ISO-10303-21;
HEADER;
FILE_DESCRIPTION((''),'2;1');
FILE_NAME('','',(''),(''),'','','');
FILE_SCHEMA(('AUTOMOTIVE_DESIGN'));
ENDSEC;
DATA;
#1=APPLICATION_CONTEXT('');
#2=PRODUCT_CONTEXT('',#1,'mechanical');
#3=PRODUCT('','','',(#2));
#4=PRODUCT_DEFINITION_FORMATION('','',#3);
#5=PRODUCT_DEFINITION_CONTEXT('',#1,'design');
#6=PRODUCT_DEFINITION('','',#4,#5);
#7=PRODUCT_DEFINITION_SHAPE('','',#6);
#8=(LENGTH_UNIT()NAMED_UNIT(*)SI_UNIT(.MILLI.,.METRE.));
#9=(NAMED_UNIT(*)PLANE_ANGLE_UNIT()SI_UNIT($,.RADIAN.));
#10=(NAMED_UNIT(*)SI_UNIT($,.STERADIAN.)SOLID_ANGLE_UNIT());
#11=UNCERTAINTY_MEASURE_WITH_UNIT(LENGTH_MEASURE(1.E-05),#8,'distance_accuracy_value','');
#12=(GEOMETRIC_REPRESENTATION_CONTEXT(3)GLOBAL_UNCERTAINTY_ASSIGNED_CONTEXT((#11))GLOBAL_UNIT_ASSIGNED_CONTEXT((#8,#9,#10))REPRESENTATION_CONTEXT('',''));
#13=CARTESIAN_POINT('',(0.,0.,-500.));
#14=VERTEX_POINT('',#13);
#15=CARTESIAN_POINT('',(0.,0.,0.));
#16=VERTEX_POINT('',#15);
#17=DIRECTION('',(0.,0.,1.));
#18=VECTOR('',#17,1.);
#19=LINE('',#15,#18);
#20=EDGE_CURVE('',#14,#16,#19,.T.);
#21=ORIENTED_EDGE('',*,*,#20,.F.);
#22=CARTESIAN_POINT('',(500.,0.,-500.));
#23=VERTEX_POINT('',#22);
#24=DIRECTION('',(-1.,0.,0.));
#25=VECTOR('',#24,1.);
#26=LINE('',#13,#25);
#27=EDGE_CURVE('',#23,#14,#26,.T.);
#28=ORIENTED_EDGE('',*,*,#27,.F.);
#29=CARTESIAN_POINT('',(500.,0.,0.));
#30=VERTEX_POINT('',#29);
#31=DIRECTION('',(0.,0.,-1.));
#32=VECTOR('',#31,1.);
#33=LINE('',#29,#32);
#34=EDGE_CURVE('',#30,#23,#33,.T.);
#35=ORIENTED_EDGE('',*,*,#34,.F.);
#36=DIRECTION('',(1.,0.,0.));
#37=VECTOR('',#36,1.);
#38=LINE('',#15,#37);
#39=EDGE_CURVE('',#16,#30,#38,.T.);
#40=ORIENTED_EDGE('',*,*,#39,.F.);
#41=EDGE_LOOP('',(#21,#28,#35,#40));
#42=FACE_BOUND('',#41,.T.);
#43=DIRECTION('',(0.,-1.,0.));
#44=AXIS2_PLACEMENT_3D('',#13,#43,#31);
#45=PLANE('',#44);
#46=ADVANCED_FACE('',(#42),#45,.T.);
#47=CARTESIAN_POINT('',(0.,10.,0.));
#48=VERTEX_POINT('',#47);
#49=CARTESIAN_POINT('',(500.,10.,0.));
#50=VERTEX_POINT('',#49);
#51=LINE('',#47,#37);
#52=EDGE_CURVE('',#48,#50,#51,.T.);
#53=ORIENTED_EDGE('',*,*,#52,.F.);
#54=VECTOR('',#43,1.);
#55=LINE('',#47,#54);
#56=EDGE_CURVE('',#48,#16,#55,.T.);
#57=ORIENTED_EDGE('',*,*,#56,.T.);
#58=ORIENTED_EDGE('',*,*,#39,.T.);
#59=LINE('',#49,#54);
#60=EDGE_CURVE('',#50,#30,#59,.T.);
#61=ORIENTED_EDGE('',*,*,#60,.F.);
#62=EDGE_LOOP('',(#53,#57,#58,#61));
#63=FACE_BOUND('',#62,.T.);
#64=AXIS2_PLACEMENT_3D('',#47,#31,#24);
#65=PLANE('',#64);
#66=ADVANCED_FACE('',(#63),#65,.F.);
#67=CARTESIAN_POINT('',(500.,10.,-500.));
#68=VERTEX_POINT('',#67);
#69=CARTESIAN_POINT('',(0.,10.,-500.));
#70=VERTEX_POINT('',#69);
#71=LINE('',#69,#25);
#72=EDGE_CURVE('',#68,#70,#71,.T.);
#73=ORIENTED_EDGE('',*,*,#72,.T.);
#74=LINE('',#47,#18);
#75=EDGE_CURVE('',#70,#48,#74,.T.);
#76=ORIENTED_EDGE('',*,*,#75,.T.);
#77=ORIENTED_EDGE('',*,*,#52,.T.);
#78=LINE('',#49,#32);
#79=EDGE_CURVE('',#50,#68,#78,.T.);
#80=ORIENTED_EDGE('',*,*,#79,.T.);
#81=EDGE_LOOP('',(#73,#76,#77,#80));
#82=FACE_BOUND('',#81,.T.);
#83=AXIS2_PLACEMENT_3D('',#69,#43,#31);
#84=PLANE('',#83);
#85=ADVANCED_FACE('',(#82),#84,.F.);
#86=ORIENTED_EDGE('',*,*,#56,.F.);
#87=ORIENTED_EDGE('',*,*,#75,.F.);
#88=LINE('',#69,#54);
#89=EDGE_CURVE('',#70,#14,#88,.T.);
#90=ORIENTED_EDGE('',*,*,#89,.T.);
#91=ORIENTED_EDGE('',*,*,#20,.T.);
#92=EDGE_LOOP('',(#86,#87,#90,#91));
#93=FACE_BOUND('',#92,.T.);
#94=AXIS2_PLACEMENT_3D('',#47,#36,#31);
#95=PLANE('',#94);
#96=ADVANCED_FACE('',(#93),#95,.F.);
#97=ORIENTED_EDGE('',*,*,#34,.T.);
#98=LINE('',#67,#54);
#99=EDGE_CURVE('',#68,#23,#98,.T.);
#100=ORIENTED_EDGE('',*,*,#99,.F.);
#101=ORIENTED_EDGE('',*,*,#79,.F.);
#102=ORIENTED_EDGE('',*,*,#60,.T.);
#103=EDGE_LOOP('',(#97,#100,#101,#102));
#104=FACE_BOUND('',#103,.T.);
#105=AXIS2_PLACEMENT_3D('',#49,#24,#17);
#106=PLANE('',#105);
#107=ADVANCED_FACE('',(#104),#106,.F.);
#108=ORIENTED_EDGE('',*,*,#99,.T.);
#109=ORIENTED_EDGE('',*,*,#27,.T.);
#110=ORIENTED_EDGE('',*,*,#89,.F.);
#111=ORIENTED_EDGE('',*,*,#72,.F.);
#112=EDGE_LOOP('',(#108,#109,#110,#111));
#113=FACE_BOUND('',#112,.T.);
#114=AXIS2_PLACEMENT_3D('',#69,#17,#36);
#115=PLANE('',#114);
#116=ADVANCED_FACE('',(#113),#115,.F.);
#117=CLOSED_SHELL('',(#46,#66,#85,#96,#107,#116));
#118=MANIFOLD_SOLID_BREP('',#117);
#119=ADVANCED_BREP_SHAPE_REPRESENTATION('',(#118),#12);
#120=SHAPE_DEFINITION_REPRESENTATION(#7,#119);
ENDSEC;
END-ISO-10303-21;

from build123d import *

# Parameters (mm, degrees)
ESQUISSE1_W      = 500
ESQUISSE1_H      = 500
EXTRUSION1_DEPTH = 10


with BuildPart() as part:
    # Esquisse1 → Extrusion1 (new body)
    with BuildSketch(Plane(origin=(0, 0, 0), x_dir=(1, 0, 0), z_dir=(0, 1, 0))):
        with Locations((250, 250)):
            Rectangle(ESQUISSE1_W, ESQUISSE1_H)
    extrude(amount=EXTRUSION1_DEPTH)


solid = part.part
